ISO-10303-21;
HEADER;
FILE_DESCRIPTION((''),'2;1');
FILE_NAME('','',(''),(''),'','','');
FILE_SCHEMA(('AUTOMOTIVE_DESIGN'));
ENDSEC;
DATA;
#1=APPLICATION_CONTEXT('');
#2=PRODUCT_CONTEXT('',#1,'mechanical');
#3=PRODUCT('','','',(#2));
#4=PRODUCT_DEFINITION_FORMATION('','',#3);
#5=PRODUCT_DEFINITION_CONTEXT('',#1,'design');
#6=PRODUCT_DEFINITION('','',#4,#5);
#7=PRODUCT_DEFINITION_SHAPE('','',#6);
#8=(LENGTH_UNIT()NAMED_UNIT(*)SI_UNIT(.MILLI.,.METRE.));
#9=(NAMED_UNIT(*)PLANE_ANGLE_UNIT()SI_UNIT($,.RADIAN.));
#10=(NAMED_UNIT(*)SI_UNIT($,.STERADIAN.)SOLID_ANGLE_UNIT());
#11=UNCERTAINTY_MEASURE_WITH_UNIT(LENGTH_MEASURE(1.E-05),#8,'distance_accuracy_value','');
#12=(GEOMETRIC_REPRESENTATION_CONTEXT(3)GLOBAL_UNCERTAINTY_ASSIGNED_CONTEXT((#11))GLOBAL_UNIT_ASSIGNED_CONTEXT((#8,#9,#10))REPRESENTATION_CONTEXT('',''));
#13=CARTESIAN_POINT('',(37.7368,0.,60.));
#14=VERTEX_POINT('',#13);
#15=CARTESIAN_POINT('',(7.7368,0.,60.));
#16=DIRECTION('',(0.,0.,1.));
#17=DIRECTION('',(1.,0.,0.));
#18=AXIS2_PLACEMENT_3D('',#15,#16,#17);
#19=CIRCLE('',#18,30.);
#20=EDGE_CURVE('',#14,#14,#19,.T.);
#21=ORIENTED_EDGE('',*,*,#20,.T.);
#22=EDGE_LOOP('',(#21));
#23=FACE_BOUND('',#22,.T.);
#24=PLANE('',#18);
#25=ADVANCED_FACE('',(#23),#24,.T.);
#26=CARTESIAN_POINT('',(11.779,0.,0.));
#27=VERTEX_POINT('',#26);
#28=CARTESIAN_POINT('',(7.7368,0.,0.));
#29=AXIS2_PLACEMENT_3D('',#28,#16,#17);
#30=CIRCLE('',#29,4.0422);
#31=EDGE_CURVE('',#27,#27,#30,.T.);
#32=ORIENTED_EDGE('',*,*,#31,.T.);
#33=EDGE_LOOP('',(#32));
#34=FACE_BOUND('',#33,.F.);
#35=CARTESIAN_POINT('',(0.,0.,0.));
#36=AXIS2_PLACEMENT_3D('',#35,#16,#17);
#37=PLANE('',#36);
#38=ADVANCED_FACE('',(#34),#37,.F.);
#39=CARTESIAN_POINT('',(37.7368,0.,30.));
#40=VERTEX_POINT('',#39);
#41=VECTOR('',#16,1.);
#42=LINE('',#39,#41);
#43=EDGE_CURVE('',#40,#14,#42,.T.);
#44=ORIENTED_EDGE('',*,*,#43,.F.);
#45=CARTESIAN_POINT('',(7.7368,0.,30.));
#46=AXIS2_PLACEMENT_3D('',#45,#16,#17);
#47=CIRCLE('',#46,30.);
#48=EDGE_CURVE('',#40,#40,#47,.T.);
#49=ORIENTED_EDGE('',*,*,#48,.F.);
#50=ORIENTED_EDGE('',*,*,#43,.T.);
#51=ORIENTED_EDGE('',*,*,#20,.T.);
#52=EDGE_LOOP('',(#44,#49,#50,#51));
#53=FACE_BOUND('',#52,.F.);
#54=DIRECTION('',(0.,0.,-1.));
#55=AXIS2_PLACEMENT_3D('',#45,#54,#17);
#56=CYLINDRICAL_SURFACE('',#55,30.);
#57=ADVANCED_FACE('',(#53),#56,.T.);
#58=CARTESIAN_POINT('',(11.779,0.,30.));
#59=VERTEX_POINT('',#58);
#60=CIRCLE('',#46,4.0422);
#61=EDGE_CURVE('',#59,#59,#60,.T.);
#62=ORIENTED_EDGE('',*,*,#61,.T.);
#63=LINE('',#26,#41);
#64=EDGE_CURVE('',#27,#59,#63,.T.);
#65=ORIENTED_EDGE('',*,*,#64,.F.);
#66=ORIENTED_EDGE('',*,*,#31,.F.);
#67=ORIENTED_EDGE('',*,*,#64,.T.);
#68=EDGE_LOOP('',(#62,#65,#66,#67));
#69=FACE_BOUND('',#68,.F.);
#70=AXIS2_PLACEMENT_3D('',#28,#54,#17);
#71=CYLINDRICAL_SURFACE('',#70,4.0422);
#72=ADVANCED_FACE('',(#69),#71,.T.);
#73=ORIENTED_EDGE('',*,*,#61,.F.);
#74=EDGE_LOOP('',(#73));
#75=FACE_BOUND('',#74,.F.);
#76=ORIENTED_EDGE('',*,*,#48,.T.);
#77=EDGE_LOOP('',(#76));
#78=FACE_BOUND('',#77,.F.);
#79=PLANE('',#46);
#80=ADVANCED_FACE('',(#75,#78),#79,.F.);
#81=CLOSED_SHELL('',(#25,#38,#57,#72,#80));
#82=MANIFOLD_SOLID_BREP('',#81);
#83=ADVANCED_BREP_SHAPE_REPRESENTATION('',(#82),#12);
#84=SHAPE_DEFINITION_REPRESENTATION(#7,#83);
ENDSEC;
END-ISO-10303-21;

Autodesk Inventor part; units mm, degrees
ref_plane "YZ Plane" through (0, 0, 0) normal (1, 0, 0) x (0, 1, 0)
ref_plane "XZ Plane" through (0, 0, 0) normal (0, 1, 0) x (-1, 0, 0)
ref_plane "XY Plane" through (0, 0, 0) normal (0, 0, 1) x (1, 0, 0)
sketch "Sketch1" plane through (0, 0, 0) normal (0, 0, 1) x (1, 0, 0)
  circle A0 centre (7.7368, 0) radius 4.0422
  point P0 (0, 0)
  point P1 (5.4766, 0)
extrude "Extrusion1" add sketch "Sketch1" along normal blind 30
sketch "Sketch2" plane through (7.7368, 0, 30) normal (0, 0, 1) x (1, 0, 0)
  circle A0 centre (0, 0) radius 30
  point P0 (-7.7368, 0)
  dimension "d2" = 60
extrude "Extrusion2" add sketch "Sketch2" along normal blind 30
properties part number "stepper"
